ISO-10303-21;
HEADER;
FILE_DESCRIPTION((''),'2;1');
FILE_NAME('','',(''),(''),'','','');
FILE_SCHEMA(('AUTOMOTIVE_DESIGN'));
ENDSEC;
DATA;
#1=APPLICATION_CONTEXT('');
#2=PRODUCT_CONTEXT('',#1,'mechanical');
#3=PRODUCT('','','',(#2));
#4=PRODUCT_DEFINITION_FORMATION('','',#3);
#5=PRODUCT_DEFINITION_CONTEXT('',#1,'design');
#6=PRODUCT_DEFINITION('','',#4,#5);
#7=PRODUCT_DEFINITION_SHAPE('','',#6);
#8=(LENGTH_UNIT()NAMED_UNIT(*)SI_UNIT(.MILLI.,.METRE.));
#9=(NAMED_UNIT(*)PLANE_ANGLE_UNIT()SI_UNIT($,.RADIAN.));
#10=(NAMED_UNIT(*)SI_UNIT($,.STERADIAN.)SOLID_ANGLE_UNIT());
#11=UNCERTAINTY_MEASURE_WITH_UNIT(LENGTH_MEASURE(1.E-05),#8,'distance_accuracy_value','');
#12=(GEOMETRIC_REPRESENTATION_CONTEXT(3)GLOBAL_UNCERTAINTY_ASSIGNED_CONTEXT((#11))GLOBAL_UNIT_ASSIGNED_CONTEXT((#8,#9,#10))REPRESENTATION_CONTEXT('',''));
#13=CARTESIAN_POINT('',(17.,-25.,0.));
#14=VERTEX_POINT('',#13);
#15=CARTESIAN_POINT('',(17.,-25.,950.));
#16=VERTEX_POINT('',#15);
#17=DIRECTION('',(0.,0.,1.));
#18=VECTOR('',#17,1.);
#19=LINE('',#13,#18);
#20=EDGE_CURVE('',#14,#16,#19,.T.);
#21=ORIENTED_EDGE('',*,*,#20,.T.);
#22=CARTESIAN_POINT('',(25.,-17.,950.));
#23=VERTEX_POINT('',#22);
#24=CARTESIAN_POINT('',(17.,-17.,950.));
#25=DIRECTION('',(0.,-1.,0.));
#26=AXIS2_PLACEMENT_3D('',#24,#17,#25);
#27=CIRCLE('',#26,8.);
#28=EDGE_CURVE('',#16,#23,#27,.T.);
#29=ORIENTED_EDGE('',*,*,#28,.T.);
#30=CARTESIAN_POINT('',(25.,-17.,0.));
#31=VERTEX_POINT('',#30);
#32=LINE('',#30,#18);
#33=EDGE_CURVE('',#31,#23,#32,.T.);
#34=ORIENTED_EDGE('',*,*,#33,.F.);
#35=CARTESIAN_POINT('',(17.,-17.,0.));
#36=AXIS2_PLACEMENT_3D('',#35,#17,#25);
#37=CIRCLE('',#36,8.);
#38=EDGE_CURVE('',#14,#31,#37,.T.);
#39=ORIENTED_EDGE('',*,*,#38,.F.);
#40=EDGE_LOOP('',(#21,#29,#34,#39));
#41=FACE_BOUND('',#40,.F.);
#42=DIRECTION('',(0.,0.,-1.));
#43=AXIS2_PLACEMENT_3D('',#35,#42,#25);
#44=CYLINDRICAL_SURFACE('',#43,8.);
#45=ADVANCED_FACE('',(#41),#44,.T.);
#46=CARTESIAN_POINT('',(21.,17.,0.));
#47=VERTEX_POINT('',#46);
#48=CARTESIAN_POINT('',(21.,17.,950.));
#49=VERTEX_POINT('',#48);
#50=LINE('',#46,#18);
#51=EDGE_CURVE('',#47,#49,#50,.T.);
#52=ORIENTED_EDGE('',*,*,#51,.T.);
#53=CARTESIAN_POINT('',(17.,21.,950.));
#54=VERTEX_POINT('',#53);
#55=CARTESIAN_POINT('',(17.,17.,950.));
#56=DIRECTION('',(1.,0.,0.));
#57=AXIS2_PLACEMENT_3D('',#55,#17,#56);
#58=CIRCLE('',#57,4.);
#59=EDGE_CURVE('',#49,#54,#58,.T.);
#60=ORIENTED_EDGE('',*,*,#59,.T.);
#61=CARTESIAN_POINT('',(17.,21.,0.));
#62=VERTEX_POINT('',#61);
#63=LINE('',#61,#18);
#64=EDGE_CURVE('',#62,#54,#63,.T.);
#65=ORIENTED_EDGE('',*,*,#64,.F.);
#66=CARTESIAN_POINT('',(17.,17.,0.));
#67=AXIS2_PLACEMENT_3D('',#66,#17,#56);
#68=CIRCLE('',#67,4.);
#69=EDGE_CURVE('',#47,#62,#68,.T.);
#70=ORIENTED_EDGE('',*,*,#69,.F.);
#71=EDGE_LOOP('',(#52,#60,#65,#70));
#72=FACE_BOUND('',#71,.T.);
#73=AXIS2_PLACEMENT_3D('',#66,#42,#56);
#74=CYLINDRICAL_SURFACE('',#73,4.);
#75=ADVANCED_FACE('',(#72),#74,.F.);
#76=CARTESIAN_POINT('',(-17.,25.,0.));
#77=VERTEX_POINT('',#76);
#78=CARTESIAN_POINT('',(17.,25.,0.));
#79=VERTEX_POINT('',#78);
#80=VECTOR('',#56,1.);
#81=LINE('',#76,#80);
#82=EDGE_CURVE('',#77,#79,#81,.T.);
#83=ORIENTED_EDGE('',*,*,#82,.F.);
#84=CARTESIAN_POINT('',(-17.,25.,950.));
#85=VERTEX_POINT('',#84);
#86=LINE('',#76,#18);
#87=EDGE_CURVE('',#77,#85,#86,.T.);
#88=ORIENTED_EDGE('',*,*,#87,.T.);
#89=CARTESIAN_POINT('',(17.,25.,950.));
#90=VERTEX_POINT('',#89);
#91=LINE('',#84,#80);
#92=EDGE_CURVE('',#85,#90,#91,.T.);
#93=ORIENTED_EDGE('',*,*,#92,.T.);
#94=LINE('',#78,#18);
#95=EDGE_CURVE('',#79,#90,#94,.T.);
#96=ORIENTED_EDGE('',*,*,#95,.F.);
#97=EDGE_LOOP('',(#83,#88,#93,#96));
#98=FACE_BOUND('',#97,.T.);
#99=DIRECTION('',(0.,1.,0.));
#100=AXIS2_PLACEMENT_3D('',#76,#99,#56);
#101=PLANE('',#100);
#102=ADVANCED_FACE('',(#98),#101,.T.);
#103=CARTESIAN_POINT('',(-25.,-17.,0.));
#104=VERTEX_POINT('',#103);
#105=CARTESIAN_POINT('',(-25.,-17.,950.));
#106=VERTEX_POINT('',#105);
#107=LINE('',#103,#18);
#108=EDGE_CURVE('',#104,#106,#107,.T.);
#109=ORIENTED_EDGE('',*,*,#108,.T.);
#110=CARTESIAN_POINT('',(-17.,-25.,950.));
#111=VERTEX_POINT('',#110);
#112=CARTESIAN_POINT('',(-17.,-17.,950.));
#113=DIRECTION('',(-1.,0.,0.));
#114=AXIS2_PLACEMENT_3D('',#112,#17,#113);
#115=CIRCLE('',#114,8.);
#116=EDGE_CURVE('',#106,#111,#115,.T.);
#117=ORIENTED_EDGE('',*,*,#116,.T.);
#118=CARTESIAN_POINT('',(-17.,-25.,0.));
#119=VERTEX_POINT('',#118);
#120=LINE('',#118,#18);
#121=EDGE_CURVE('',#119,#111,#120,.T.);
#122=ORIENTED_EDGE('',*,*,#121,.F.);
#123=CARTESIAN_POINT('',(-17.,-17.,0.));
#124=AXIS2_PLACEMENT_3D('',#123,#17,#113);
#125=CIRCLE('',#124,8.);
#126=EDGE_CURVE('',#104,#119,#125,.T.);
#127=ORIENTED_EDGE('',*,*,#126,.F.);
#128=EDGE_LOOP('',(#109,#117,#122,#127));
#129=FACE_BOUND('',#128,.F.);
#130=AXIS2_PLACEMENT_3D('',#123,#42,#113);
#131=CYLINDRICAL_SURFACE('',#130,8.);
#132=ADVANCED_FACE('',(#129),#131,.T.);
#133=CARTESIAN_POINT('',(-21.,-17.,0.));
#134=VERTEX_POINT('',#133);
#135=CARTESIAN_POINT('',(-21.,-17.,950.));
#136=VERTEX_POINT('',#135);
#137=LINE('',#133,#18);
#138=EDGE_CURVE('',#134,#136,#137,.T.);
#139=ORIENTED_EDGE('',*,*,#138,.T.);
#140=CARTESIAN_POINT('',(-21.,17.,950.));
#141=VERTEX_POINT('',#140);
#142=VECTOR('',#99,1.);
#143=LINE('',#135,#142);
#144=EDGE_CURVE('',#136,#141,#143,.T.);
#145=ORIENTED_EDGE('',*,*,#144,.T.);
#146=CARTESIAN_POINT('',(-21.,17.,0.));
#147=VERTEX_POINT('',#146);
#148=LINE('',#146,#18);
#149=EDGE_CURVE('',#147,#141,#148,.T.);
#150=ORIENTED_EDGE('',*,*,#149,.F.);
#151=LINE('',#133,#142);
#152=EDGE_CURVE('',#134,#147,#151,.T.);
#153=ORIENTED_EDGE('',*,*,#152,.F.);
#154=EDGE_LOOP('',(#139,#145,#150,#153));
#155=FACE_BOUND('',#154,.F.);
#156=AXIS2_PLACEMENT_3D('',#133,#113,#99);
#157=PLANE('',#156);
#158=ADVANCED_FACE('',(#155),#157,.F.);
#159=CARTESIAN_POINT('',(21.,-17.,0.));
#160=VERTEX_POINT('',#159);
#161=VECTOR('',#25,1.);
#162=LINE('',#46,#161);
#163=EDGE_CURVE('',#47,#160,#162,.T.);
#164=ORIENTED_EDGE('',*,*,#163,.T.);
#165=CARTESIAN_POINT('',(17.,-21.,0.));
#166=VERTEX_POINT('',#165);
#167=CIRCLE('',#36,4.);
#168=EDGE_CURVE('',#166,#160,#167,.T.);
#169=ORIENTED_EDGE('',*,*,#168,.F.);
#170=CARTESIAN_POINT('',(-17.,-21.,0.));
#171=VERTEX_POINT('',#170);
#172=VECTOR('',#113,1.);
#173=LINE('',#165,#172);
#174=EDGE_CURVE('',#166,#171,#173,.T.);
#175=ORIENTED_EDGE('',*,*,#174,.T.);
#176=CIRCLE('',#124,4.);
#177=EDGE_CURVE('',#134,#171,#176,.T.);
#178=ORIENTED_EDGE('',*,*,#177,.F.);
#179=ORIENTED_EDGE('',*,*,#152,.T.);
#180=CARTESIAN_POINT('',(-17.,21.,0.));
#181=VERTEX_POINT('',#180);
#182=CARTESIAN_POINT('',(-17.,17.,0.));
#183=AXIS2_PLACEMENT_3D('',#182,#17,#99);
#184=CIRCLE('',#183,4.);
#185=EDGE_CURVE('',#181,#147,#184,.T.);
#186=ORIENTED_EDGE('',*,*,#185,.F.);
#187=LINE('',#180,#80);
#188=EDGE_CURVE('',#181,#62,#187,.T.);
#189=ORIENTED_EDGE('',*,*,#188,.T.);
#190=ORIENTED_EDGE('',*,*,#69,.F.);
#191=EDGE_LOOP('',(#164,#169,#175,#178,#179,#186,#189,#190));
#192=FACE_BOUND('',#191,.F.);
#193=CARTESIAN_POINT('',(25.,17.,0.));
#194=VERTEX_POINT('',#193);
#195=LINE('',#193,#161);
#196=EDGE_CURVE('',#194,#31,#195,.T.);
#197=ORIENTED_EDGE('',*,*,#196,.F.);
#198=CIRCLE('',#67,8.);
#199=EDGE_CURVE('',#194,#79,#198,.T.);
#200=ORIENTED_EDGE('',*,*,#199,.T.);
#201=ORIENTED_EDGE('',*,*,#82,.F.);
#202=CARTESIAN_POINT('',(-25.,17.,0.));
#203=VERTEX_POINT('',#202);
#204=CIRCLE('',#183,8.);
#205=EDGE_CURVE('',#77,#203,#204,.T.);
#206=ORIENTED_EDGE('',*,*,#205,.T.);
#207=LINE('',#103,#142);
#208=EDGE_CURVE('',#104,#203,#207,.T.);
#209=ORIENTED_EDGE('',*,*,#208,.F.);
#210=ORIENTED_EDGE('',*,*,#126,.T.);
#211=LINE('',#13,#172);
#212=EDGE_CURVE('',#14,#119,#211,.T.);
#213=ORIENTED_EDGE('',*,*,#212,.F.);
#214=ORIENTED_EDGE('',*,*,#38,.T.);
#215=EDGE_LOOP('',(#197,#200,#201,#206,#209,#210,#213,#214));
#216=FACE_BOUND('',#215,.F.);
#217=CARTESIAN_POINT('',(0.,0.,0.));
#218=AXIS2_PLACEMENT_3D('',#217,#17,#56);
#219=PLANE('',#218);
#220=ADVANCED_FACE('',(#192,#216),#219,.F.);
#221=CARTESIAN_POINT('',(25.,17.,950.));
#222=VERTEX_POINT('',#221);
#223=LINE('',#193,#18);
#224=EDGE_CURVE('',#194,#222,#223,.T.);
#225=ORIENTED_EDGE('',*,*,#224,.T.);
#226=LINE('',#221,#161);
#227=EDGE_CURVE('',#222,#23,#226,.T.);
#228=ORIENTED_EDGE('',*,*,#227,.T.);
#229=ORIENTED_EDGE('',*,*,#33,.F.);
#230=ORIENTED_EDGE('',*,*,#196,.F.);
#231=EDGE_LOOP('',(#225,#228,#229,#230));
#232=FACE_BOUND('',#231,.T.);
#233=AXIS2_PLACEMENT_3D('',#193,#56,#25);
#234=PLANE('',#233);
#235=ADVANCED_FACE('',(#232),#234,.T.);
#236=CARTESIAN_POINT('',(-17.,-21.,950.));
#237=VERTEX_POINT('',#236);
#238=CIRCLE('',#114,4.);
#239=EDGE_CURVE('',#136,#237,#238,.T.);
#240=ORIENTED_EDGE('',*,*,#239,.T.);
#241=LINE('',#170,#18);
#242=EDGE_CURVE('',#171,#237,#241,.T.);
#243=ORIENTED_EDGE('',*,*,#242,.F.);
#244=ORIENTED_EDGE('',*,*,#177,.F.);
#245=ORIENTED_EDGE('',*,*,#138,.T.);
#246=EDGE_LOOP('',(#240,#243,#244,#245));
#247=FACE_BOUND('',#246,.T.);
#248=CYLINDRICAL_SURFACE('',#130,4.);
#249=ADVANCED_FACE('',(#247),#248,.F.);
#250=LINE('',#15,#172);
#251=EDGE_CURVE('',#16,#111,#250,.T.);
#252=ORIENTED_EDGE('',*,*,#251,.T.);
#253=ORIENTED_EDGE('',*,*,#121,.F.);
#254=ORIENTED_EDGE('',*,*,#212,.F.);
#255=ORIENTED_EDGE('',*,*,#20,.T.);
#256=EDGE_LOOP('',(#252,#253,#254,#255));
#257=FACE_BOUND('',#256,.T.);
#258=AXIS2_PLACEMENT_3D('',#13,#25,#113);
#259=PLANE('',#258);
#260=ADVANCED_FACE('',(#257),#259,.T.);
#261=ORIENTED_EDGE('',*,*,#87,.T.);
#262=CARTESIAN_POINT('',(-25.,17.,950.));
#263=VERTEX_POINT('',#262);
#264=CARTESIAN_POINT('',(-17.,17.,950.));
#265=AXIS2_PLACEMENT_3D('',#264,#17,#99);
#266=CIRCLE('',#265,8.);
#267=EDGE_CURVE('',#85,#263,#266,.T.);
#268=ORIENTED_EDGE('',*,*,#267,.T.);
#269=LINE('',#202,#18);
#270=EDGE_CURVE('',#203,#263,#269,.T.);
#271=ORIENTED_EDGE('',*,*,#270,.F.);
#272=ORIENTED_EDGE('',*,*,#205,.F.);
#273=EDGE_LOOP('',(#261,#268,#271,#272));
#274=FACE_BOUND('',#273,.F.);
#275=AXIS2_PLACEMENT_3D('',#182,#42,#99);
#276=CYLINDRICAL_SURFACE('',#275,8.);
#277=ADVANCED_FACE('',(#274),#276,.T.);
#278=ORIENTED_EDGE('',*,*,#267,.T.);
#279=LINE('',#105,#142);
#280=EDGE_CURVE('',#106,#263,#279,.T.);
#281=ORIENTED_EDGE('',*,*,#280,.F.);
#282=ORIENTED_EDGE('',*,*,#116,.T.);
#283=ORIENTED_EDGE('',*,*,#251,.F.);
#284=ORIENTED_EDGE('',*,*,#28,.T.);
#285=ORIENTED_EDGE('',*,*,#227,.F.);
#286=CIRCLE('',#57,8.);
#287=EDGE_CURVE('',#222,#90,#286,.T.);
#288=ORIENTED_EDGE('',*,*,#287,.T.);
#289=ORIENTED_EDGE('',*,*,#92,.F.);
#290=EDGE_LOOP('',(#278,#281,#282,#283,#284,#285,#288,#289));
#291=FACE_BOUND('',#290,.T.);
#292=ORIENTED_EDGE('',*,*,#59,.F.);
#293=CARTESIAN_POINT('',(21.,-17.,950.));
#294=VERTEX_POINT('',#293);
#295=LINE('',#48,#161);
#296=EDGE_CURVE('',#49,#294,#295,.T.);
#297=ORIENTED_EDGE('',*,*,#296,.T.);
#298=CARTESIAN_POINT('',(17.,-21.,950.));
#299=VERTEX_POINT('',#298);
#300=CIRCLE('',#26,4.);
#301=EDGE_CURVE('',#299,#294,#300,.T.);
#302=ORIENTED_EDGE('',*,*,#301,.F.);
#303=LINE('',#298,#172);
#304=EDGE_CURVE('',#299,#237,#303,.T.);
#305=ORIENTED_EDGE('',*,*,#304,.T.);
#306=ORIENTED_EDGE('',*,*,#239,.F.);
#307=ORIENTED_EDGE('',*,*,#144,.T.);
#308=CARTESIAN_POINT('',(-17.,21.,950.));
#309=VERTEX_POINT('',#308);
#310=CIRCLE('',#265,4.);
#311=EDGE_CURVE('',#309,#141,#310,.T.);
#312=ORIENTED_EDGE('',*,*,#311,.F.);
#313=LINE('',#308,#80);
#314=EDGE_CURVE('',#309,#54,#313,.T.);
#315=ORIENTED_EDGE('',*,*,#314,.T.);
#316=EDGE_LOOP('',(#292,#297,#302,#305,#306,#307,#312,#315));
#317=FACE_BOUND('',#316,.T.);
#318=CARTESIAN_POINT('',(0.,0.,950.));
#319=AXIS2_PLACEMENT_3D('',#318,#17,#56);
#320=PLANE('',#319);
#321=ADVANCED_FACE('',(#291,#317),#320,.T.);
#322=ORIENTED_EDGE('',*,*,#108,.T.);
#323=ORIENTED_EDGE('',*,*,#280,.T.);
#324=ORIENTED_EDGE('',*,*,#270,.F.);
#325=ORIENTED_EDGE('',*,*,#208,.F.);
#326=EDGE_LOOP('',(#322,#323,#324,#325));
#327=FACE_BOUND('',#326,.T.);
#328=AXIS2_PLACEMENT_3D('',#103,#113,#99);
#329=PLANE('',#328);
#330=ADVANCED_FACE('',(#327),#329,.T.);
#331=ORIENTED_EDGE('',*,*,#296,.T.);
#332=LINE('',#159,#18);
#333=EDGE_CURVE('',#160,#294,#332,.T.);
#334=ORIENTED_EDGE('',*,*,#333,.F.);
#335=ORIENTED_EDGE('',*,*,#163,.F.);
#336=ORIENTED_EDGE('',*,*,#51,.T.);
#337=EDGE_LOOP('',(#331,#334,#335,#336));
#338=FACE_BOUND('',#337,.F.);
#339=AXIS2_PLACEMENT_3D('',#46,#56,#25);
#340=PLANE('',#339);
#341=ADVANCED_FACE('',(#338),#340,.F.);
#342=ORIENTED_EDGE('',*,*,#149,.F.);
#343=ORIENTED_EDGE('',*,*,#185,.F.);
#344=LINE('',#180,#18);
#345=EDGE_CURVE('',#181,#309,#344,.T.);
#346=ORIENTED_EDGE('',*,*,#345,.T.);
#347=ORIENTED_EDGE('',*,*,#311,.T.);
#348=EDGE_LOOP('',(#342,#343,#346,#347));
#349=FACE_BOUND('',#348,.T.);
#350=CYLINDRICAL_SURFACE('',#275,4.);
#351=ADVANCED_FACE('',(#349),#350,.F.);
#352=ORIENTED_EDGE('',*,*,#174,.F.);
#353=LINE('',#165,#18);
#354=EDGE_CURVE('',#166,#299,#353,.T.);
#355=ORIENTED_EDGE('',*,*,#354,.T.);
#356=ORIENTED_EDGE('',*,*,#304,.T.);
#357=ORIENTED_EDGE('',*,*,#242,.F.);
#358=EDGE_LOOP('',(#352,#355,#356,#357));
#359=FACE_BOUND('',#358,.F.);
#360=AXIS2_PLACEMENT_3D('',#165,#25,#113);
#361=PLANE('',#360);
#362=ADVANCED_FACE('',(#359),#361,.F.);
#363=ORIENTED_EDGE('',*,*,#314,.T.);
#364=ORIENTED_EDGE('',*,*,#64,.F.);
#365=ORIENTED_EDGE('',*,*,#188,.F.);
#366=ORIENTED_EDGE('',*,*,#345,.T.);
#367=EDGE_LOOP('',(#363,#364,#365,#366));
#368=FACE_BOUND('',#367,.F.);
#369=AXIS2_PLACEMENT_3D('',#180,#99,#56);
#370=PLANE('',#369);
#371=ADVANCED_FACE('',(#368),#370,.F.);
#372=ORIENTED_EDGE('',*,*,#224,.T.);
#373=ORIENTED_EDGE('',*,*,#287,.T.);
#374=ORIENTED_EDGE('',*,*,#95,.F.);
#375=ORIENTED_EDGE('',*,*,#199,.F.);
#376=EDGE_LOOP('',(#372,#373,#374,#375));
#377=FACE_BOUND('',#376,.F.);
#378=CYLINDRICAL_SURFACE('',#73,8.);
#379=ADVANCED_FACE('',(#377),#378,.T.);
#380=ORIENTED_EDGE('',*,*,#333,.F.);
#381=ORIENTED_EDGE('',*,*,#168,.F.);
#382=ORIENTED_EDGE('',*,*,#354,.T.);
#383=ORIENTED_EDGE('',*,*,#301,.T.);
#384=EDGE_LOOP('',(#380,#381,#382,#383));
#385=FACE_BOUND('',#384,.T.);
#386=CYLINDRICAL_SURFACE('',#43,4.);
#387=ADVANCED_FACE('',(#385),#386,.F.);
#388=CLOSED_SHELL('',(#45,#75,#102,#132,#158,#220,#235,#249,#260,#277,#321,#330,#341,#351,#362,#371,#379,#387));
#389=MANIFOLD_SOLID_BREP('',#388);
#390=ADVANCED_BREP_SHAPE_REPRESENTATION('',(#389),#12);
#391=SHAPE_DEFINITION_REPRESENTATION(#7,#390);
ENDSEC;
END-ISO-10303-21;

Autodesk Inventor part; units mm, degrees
ref_plane "YZ Plane" through (0, 0, 0) normal (1, 0, 0) x (0, 1, 0)
ref_plane "Start Plane" through (0, 0, 0) normal (0, 0, 1) x (1, 0, 0)
ref_plane "End Plane" through (0, 0, 950) normal (0, 0, 1) x (1, 0, 0)
sketch "Sketch" plane through (0, 0, 0) normal (0, 0, 1) x (1, 0, 0)
  line L0 (-25, -17) -> (-25, 17)
  line L1 (-17, 25) -> (17, 25)
  line L2 (25, 17) -> (25, -17)
  line L3 (17, -25) -> (-17, -25)
  arc A0 (-25, -17) -> (-17, -25) centre (-17, -17) ccw
  arc A1 (25, 17) -> (17, 25) centre (17, 17) ccw
  arc A2 (-17, 25) -> (-25, 17) centre (-17, 17) ccw
  arc A3 (17, -25) -> (25, -17) centre (17, -17) ccw
  arc A4 (-17, 21) -> (-21, 17) centre (-17, 17) ccw
  line L4 (-17, 21) -> (17, 21)
  arc A5 (21, 17) -> (17, 21) centre (17, 17) ccw
  line L5 (21, 17) -> (21, -17)
  arc A6 (17, -21) -> (21, -17) centre (17, -17) ccw
  line L6 (17, -21) -> (-17, -21)
  arc A7 (-21, -17) -> (-17, -21) centre (-17, -17) ccw
  line L7 (-21, -17) -> (-21, 17)
  line L8 (0, 37.3196) -> (0, -37.3196) construction
  line L9 (-37.3196, 0) -> (37.3196, 0) construction
  dimension "d7" = 8
  dimension "d9" = 50
  dimension "d11" = 50
  dimension "d12" = 4
  dimension "d15" = 25
  dimension "d16" = 25
extrude "Body" add sketch "Sketch" along normal up to surface (950 mm away) from surface at 0
sketch "Sketch3" plane through (0, 0, 0) normal (0, 0, 1) x (1, 0, 0)
  line L0 (0, 0) -> (10, 0)
ref_plane "Work Plane3" through (0, 0, 0) normal (0, -1, 0) x (1, 0, 0)
sketch "Sketch4" plane through (0, 0, 0) normal (0, -1, 0) x (1, 0, 0)
  line L0 (-2, 0) -> (12, 0) projected
  line L1 (-2, 950) -> (12, 950) projected
  dimension "d18" = 950
equation "\"d7\" = G_IR"
equation "\"d9\" = G_W"
equation "\"d11\" = G_H"
equation "\"d12\" = G_T"
equation "\"d15\" = 0.5 * d9"
equation "\"d16\" = 0.5 * d11"
equation "\"d3\" = G_L"
equation "\"G_W\" = 50"
equation "\"G_H\" = 50"
equation "\"G_T\" = 4"
equation "\"G_IR\" = 8"
equation "\"G_L\" = d18"
equation "\"G_OFFSET_START\" = 0"
equation "\"G_OFFSET_END\" = 0"
properties part number "ISO 4019 - 50x50x4 - 950" material "Steel, Mild"
